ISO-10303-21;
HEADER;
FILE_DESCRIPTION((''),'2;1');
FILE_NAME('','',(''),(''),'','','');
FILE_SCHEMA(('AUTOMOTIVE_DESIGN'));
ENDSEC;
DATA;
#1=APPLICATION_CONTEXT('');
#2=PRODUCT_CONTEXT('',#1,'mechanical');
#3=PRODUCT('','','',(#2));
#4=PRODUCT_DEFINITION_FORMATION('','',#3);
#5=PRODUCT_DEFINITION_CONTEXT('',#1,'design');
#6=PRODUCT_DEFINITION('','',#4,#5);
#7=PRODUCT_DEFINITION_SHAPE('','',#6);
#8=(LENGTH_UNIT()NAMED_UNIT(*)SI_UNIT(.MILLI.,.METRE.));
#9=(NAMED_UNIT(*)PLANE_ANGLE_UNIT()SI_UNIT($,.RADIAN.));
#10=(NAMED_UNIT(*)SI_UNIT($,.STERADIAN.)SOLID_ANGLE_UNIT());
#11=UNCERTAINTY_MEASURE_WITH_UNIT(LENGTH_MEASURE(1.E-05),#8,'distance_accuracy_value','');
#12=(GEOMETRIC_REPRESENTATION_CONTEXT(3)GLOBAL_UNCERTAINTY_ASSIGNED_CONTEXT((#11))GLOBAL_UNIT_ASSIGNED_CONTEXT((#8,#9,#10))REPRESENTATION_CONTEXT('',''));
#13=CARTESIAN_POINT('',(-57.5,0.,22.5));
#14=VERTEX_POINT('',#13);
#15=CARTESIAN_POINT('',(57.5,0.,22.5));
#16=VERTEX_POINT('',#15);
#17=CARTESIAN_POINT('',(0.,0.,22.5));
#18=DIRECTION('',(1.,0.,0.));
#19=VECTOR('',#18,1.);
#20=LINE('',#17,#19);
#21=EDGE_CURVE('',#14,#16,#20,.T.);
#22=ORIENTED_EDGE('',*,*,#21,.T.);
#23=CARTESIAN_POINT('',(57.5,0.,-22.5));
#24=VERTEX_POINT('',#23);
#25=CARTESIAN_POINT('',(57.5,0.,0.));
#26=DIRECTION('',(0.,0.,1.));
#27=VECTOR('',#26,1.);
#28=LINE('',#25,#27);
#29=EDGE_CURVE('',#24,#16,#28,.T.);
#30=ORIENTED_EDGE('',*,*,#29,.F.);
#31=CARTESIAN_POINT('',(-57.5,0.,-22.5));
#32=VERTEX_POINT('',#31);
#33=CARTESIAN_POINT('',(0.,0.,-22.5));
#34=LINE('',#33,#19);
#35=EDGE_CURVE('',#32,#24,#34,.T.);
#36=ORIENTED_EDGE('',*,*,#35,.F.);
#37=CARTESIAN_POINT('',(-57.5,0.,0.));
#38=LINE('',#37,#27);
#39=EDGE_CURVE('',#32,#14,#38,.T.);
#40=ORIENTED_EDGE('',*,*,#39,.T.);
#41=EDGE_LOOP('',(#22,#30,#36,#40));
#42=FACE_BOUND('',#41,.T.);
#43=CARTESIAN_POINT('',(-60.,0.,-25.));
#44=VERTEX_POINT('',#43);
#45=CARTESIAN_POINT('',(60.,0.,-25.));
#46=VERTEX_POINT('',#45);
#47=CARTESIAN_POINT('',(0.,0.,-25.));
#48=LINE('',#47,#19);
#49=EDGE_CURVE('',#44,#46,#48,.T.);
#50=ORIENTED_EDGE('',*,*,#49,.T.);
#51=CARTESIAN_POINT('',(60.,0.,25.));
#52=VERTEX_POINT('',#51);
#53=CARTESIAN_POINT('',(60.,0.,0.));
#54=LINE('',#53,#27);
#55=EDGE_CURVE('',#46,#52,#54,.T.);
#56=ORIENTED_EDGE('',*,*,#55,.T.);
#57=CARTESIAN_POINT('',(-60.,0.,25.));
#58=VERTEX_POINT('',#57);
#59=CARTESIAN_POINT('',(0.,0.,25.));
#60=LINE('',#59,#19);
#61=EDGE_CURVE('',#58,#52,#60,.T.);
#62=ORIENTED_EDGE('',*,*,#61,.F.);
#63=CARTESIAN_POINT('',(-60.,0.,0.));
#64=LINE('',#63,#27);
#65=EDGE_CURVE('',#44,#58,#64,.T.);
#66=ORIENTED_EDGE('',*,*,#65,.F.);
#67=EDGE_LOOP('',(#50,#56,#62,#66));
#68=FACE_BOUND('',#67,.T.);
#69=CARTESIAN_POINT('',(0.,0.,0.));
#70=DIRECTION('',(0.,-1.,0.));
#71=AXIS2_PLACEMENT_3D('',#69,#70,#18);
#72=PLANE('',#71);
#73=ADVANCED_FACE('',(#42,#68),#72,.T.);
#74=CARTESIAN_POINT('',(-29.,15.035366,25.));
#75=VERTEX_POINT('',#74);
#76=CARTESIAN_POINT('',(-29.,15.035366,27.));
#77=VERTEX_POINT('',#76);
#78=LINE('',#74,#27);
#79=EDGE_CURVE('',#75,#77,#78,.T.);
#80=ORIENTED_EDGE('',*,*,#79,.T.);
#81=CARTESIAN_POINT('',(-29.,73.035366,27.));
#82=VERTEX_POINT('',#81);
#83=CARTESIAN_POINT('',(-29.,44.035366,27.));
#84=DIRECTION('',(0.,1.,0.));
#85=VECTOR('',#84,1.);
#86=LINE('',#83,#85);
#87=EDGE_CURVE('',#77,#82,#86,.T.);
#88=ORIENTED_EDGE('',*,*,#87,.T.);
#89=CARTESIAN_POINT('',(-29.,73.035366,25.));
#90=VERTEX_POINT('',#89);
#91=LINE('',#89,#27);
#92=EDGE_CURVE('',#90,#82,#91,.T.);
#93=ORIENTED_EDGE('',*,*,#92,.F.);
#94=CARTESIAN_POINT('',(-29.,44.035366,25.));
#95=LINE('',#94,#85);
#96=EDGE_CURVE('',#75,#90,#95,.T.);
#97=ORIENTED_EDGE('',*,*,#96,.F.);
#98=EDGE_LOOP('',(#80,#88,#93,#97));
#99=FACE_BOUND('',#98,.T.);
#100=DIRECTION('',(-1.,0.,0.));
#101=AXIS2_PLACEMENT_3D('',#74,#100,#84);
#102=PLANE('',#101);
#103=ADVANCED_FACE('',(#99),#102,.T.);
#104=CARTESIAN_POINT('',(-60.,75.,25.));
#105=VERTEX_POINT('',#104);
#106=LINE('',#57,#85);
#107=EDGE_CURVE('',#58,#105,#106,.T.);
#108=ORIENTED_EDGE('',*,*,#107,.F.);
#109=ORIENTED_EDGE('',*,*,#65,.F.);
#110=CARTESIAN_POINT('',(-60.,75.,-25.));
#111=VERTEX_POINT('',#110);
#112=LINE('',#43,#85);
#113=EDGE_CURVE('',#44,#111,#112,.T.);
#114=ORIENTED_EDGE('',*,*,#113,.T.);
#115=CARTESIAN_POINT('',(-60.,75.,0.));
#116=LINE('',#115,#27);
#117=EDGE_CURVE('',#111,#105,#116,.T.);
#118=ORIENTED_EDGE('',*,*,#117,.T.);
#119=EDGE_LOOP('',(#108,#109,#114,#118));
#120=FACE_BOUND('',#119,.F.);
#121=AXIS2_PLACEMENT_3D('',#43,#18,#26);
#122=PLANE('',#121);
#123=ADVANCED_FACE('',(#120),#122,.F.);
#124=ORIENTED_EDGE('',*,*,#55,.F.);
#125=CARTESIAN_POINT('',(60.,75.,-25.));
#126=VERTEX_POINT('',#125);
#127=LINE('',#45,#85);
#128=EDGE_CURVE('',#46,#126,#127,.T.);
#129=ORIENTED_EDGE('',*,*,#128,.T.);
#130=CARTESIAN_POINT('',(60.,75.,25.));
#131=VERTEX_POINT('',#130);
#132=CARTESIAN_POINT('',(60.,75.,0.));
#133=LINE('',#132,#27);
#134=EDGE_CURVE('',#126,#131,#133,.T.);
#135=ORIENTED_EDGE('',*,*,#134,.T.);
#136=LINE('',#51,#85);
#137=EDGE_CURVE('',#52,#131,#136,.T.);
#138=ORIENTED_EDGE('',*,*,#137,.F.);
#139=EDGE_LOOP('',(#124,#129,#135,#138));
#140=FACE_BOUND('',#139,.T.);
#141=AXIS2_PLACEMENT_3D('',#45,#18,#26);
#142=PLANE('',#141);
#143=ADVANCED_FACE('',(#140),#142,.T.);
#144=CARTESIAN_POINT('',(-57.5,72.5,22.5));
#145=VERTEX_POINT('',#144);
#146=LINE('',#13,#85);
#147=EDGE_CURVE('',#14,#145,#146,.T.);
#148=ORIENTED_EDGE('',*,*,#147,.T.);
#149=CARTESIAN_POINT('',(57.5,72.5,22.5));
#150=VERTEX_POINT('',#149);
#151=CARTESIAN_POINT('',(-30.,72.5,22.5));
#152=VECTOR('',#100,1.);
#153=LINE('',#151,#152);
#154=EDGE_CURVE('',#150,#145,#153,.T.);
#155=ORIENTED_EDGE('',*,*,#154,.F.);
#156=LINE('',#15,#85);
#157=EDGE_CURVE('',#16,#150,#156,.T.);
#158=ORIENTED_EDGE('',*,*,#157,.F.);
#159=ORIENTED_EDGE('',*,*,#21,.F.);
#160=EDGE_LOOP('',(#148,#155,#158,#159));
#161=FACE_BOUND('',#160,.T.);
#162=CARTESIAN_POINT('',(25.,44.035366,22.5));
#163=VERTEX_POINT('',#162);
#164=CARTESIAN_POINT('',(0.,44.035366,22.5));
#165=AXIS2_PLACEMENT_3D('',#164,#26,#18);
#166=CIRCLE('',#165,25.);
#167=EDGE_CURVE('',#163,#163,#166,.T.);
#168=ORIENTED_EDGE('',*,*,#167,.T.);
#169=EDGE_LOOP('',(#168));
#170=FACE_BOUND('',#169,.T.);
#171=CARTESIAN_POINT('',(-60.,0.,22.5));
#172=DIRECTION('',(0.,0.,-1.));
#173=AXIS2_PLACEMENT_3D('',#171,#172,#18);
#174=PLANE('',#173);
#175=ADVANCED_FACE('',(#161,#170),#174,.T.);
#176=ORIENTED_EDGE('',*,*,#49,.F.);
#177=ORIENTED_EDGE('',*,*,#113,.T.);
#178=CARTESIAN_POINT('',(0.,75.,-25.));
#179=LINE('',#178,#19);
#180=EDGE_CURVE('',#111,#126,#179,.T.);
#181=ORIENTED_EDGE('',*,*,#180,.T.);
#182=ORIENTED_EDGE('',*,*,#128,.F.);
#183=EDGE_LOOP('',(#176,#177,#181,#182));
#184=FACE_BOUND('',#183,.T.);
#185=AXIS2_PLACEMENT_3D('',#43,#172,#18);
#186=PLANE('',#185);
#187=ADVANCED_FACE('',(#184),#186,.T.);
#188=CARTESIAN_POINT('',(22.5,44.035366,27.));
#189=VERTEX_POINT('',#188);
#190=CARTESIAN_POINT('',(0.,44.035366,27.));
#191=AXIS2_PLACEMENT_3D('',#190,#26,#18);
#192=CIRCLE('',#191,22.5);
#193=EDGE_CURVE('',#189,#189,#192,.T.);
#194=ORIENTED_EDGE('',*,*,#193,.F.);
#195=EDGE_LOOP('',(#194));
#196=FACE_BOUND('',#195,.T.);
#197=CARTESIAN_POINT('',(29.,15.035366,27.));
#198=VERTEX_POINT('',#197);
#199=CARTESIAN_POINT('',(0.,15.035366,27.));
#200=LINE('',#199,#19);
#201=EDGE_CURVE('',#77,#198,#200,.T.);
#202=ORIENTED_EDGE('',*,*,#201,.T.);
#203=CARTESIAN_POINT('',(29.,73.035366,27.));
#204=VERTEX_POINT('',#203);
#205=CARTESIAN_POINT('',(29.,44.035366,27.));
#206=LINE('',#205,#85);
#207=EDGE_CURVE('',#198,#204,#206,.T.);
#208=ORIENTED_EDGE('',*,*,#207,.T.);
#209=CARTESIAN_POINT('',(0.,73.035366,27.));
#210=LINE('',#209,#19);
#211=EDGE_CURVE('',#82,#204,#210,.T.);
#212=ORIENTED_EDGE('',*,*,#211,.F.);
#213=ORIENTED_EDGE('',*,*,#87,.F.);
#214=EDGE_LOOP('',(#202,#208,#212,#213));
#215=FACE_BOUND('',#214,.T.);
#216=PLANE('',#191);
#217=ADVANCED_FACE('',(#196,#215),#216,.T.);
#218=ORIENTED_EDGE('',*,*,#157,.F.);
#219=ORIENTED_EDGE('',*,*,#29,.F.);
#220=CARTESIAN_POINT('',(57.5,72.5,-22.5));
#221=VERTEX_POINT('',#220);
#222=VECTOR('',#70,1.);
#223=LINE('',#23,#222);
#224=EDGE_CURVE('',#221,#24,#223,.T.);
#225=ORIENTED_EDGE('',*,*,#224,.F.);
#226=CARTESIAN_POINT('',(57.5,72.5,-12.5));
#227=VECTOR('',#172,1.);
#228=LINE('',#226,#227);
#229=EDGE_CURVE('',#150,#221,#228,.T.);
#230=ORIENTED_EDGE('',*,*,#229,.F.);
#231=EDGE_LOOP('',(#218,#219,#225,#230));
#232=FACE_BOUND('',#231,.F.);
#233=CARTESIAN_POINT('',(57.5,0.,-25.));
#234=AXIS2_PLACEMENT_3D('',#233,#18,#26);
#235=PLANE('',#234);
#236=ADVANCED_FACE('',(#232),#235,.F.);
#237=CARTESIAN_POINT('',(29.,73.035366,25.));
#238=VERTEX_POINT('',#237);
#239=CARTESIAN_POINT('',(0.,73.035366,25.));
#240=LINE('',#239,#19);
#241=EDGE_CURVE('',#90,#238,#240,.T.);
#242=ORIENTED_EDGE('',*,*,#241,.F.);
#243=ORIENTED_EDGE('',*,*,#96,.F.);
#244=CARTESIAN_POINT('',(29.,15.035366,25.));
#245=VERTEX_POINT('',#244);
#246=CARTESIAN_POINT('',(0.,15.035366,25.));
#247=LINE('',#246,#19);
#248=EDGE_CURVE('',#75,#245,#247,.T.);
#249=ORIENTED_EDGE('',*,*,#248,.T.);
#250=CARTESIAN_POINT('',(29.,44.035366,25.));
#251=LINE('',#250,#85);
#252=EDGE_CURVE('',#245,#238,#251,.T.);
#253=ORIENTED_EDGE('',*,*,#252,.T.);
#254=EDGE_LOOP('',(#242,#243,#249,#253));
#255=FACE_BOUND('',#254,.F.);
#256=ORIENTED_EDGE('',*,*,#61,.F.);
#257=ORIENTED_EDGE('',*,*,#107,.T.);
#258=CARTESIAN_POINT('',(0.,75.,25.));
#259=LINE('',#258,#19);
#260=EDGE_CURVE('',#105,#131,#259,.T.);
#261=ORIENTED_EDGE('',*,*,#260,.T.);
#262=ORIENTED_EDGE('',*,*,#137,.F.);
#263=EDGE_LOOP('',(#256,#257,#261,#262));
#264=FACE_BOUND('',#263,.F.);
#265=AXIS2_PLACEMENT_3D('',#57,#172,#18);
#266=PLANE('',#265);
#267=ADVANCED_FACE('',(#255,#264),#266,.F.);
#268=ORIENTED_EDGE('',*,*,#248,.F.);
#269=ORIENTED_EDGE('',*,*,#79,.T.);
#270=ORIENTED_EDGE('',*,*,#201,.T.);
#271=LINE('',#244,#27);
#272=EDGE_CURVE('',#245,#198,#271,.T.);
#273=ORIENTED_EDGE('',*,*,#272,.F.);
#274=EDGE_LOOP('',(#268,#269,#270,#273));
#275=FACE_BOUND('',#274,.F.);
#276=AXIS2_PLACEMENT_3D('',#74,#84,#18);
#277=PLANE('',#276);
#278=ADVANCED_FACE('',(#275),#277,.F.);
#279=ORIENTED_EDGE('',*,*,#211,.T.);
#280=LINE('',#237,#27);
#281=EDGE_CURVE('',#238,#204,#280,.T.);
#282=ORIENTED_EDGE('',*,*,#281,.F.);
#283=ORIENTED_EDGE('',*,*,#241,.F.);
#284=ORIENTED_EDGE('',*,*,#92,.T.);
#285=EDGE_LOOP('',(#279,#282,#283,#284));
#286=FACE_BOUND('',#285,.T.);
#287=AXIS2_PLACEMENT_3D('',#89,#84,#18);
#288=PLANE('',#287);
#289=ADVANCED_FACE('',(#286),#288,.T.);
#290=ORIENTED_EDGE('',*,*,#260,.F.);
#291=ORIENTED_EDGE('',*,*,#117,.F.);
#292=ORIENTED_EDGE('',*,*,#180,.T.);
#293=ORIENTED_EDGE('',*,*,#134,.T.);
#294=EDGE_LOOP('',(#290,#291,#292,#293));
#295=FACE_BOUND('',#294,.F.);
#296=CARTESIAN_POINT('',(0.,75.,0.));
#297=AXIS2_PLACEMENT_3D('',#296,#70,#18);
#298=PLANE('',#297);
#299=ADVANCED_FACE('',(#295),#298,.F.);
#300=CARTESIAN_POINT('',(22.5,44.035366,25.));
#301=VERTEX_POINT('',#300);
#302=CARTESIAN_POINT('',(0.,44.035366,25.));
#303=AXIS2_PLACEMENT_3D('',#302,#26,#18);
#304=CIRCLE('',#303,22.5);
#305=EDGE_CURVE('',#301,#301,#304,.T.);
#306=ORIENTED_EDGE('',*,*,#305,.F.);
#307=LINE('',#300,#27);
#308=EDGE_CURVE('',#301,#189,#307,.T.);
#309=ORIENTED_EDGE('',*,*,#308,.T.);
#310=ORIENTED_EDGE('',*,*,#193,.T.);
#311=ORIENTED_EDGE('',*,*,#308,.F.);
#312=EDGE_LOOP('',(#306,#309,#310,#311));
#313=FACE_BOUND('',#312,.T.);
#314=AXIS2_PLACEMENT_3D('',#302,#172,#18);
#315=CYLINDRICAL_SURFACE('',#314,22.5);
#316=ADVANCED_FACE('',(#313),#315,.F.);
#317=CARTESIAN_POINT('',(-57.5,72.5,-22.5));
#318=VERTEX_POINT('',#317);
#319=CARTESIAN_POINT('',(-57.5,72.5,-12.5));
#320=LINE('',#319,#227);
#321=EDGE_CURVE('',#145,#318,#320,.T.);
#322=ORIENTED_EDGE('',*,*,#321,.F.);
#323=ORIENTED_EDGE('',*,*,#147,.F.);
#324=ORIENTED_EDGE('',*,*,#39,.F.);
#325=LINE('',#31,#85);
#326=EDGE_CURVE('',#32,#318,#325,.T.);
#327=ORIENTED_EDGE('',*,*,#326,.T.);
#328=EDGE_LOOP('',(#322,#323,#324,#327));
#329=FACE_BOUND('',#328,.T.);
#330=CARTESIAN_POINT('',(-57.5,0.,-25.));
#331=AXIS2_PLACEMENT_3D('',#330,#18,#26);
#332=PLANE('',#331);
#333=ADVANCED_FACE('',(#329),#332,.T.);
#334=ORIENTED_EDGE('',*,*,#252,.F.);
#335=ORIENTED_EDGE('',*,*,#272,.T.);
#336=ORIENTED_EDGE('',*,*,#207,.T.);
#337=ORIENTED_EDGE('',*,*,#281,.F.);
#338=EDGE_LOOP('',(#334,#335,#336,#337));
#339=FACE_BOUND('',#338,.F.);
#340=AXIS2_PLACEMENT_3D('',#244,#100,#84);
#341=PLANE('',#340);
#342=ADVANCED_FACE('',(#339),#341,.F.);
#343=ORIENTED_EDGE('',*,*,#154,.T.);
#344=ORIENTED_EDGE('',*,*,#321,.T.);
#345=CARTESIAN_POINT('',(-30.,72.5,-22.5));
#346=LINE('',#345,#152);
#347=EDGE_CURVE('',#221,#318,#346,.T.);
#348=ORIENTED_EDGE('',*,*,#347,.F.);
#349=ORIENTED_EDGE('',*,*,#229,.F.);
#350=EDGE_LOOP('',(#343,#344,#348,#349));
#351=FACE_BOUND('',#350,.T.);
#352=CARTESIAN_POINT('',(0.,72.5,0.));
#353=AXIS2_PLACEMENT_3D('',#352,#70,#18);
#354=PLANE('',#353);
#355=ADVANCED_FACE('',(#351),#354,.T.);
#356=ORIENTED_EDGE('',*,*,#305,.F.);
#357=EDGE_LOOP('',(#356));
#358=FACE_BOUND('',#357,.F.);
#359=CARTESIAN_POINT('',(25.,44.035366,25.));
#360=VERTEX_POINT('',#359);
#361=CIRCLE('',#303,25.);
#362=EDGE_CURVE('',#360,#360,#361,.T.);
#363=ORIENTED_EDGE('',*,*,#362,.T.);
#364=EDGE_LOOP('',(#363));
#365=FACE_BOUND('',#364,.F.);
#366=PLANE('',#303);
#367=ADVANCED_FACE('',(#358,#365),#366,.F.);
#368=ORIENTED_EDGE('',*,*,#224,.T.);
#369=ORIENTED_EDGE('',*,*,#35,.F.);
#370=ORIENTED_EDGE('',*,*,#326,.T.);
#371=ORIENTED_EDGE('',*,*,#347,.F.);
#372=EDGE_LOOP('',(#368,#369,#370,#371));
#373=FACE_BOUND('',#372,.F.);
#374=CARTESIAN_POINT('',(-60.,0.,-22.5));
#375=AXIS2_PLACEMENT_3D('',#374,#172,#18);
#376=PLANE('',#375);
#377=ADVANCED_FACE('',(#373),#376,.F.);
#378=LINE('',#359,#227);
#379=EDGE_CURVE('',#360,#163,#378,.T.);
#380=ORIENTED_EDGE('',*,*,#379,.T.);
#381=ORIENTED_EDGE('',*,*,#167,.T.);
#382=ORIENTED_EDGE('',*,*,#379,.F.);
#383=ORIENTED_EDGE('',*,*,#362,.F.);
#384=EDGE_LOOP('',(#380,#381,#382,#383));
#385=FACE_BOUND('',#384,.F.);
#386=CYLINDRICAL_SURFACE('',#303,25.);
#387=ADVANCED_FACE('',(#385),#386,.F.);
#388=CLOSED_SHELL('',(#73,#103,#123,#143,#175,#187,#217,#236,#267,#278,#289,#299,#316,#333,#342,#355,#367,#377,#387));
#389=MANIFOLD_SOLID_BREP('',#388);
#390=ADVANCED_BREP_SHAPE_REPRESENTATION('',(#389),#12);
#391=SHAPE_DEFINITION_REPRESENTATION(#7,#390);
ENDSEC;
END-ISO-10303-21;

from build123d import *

# Parameters (mm, degrees)
F0_W     = 120
F0_H     = 50
F1_DEPTH = 75
F2_T     = -2.5
F3_R     = 25
F4_DEPTH = 2.5
F5_W     = 58
F5_H     = 58
F5_R     = 22.5
F6_DEPTH = 2


with BuildPart() as f1:
    # F0 (on Front) → F1 (new body)
    with BuildSketch(Plane.XZ):
        Rectangle(F0_W, F0_H)
    extrude(amount=-F1_DEPTH)

    # F2
    f2_openings = [f1.faces().sort_by_distance(p)[0] for p in [
        (0, 0, 0),
    ]]
    offset(amount=F2_T, openings=f2_openings)

    # F3 (on face) → F4 (cut, through all)
    with BuildSketch(Plane.XY.offset(25)):
        with Locations((0, 44.035366)):
            Circle(F3_R)
    extrude(amount=-F4_DEPTH, mode=Mode.SUBTRACT)

    # F5 (on face) → F6 (join)
    with BuildSketch(Plane.XY.offset(25)):
        with Locations((0, 44.035366)):
            Rectangle(F5_W, F5_H)
        with Locations((0, 44.035366)):
            Circle(F5_R, mode=Mode.SUBTRACT)
    extrude(amount=F6_DEPTH)


solid = f1.part
